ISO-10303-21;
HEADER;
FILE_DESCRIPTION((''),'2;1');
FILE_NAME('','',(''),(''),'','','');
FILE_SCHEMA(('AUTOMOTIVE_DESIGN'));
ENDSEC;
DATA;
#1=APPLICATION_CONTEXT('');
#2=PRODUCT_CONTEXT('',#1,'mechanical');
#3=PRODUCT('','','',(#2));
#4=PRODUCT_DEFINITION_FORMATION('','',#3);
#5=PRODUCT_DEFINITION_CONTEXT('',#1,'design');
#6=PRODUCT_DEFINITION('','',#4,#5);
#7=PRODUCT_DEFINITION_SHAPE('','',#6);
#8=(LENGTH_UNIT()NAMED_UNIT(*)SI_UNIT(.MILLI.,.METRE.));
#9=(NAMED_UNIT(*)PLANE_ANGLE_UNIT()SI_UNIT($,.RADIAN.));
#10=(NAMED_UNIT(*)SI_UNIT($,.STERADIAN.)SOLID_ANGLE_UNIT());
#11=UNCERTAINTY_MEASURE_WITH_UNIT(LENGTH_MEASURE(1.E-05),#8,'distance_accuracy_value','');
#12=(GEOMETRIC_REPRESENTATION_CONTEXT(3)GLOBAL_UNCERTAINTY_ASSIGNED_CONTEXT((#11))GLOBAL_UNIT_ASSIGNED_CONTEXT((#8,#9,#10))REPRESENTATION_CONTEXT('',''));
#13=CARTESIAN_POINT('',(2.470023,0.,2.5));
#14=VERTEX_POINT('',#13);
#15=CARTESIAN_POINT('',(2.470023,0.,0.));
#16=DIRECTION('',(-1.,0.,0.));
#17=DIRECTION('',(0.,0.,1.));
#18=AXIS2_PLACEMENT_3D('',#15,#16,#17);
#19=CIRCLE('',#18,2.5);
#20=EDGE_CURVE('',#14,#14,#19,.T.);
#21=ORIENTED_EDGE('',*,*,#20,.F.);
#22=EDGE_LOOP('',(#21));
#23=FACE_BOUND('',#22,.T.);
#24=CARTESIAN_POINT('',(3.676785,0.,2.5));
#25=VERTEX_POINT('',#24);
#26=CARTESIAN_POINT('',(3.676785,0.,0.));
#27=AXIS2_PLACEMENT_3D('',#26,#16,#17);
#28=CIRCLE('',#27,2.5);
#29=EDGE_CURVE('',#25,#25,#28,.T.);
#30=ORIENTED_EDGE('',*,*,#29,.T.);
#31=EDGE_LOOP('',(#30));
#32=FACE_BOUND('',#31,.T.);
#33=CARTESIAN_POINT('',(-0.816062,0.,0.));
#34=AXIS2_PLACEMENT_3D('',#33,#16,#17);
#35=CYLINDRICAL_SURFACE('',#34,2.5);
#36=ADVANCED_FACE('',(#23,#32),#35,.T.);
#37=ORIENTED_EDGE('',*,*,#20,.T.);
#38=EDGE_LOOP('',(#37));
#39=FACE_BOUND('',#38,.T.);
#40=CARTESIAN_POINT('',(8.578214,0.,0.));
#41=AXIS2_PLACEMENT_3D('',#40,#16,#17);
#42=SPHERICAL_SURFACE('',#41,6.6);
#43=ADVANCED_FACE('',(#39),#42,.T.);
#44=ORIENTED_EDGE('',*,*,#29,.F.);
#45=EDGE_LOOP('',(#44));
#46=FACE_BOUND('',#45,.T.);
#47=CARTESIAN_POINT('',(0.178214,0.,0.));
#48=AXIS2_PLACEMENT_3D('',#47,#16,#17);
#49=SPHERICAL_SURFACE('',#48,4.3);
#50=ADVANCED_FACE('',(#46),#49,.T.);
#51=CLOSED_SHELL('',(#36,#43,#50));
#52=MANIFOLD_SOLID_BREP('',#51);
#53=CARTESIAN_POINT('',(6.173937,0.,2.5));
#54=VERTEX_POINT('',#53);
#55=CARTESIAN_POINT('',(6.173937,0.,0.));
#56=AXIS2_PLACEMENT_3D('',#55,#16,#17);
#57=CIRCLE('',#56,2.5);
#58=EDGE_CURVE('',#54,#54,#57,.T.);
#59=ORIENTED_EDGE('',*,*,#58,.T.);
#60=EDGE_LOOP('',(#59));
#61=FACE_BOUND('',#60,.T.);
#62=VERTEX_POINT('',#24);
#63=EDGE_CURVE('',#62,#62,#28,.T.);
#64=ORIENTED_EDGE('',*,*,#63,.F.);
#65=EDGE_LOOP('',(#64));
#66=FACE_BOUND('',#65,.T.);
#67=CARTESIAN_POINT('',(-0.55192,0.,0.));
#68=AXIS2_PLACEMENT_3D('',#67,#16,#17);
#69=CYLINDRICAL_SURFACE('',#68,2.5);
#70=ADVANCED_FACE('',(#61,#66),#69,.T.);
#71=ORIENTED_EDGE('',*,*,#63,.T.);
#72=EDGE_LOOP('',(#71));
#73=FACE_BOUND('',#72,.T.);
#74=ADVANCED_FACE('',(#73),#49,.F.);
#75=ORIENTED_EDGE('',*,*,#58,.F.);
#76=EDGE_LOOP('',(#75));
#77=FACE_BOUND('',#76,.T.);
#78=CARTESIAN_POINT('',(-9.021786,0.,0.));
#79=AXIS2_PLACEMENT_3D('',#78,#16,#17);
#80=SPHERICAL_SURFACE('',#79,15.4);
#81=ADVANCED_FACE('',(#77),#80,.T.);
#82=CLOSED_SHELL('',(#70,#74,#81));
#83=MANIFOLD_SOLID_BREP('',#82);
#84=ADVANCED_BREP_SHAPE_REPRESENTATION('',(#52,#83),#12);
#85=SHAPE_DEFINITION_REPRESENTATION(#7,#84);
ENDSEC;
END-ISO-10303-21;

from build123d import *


with BuildPart() as part:
    # 草图1 one side → 旋转1 (revolve)
    with BuildSketch(Plane(origin=(0, 0, 0), x_dir=(1, 0, 0), z_dir=(0, 1, 0)), mode=Mode.PRIVATE) as revolve_1_sk:
        with BuildLine():
            ThreePointArc((2.470023111, 2.5), (2.102333618, 1.273957993), (1.978214333, 0))
            Line((1.978214333, 0), (4.478214333, 0))
            ThreePointArc((4.478214333, 0), (4.272958274, 1.312658393), (3.67678547, 2.5))
            Line((3.67678547, 2.5), (2.470023111, 2.5))
        make_face()
    revolve(revolve_1_sk.sketch.rotate(Axis((-0.816062176, 0, 0), (1, 0, 0)), 180), axis=Axis((-0.816062176, 0, 0), (1, 0, 0)))  # turned: the seam where the file's is


with BuildPart() as body_2:
    # 草图2 one side → 旋转3 (revolve)
    with BuildSketch(Plane(origin=(0, 0, 0), x_dir=(1, 0, 0), z_dir=(0, 1, 0)), mode=Mode.PRIVATE) as revolve_3_sk:
        with BuildLine():
            Line((6.173937416, 2.5), (3.67678547, 2.5))
            ThreePointArc((3.67678547, 2.5), (4.272958274, 1.312658393), (4.478214333, 0))
            Line((4.478214333, 0), (6.378214333, 0))
            ThreePointArc((6.378214333, 0), (6.327060144, 1.254165964), (6.173937416, 2.5))
        make_face()
    revolve(revolve_3_sk.sketch.rotate(Axis((-0.551919993, 0, 0), (1, 0, 0)), 180), axis=Axis((-0.551919993, 0, 0), (1, 0, 0)))  # turned: the seam where the file's is


solid = Compound([part.part, body_2.part])
